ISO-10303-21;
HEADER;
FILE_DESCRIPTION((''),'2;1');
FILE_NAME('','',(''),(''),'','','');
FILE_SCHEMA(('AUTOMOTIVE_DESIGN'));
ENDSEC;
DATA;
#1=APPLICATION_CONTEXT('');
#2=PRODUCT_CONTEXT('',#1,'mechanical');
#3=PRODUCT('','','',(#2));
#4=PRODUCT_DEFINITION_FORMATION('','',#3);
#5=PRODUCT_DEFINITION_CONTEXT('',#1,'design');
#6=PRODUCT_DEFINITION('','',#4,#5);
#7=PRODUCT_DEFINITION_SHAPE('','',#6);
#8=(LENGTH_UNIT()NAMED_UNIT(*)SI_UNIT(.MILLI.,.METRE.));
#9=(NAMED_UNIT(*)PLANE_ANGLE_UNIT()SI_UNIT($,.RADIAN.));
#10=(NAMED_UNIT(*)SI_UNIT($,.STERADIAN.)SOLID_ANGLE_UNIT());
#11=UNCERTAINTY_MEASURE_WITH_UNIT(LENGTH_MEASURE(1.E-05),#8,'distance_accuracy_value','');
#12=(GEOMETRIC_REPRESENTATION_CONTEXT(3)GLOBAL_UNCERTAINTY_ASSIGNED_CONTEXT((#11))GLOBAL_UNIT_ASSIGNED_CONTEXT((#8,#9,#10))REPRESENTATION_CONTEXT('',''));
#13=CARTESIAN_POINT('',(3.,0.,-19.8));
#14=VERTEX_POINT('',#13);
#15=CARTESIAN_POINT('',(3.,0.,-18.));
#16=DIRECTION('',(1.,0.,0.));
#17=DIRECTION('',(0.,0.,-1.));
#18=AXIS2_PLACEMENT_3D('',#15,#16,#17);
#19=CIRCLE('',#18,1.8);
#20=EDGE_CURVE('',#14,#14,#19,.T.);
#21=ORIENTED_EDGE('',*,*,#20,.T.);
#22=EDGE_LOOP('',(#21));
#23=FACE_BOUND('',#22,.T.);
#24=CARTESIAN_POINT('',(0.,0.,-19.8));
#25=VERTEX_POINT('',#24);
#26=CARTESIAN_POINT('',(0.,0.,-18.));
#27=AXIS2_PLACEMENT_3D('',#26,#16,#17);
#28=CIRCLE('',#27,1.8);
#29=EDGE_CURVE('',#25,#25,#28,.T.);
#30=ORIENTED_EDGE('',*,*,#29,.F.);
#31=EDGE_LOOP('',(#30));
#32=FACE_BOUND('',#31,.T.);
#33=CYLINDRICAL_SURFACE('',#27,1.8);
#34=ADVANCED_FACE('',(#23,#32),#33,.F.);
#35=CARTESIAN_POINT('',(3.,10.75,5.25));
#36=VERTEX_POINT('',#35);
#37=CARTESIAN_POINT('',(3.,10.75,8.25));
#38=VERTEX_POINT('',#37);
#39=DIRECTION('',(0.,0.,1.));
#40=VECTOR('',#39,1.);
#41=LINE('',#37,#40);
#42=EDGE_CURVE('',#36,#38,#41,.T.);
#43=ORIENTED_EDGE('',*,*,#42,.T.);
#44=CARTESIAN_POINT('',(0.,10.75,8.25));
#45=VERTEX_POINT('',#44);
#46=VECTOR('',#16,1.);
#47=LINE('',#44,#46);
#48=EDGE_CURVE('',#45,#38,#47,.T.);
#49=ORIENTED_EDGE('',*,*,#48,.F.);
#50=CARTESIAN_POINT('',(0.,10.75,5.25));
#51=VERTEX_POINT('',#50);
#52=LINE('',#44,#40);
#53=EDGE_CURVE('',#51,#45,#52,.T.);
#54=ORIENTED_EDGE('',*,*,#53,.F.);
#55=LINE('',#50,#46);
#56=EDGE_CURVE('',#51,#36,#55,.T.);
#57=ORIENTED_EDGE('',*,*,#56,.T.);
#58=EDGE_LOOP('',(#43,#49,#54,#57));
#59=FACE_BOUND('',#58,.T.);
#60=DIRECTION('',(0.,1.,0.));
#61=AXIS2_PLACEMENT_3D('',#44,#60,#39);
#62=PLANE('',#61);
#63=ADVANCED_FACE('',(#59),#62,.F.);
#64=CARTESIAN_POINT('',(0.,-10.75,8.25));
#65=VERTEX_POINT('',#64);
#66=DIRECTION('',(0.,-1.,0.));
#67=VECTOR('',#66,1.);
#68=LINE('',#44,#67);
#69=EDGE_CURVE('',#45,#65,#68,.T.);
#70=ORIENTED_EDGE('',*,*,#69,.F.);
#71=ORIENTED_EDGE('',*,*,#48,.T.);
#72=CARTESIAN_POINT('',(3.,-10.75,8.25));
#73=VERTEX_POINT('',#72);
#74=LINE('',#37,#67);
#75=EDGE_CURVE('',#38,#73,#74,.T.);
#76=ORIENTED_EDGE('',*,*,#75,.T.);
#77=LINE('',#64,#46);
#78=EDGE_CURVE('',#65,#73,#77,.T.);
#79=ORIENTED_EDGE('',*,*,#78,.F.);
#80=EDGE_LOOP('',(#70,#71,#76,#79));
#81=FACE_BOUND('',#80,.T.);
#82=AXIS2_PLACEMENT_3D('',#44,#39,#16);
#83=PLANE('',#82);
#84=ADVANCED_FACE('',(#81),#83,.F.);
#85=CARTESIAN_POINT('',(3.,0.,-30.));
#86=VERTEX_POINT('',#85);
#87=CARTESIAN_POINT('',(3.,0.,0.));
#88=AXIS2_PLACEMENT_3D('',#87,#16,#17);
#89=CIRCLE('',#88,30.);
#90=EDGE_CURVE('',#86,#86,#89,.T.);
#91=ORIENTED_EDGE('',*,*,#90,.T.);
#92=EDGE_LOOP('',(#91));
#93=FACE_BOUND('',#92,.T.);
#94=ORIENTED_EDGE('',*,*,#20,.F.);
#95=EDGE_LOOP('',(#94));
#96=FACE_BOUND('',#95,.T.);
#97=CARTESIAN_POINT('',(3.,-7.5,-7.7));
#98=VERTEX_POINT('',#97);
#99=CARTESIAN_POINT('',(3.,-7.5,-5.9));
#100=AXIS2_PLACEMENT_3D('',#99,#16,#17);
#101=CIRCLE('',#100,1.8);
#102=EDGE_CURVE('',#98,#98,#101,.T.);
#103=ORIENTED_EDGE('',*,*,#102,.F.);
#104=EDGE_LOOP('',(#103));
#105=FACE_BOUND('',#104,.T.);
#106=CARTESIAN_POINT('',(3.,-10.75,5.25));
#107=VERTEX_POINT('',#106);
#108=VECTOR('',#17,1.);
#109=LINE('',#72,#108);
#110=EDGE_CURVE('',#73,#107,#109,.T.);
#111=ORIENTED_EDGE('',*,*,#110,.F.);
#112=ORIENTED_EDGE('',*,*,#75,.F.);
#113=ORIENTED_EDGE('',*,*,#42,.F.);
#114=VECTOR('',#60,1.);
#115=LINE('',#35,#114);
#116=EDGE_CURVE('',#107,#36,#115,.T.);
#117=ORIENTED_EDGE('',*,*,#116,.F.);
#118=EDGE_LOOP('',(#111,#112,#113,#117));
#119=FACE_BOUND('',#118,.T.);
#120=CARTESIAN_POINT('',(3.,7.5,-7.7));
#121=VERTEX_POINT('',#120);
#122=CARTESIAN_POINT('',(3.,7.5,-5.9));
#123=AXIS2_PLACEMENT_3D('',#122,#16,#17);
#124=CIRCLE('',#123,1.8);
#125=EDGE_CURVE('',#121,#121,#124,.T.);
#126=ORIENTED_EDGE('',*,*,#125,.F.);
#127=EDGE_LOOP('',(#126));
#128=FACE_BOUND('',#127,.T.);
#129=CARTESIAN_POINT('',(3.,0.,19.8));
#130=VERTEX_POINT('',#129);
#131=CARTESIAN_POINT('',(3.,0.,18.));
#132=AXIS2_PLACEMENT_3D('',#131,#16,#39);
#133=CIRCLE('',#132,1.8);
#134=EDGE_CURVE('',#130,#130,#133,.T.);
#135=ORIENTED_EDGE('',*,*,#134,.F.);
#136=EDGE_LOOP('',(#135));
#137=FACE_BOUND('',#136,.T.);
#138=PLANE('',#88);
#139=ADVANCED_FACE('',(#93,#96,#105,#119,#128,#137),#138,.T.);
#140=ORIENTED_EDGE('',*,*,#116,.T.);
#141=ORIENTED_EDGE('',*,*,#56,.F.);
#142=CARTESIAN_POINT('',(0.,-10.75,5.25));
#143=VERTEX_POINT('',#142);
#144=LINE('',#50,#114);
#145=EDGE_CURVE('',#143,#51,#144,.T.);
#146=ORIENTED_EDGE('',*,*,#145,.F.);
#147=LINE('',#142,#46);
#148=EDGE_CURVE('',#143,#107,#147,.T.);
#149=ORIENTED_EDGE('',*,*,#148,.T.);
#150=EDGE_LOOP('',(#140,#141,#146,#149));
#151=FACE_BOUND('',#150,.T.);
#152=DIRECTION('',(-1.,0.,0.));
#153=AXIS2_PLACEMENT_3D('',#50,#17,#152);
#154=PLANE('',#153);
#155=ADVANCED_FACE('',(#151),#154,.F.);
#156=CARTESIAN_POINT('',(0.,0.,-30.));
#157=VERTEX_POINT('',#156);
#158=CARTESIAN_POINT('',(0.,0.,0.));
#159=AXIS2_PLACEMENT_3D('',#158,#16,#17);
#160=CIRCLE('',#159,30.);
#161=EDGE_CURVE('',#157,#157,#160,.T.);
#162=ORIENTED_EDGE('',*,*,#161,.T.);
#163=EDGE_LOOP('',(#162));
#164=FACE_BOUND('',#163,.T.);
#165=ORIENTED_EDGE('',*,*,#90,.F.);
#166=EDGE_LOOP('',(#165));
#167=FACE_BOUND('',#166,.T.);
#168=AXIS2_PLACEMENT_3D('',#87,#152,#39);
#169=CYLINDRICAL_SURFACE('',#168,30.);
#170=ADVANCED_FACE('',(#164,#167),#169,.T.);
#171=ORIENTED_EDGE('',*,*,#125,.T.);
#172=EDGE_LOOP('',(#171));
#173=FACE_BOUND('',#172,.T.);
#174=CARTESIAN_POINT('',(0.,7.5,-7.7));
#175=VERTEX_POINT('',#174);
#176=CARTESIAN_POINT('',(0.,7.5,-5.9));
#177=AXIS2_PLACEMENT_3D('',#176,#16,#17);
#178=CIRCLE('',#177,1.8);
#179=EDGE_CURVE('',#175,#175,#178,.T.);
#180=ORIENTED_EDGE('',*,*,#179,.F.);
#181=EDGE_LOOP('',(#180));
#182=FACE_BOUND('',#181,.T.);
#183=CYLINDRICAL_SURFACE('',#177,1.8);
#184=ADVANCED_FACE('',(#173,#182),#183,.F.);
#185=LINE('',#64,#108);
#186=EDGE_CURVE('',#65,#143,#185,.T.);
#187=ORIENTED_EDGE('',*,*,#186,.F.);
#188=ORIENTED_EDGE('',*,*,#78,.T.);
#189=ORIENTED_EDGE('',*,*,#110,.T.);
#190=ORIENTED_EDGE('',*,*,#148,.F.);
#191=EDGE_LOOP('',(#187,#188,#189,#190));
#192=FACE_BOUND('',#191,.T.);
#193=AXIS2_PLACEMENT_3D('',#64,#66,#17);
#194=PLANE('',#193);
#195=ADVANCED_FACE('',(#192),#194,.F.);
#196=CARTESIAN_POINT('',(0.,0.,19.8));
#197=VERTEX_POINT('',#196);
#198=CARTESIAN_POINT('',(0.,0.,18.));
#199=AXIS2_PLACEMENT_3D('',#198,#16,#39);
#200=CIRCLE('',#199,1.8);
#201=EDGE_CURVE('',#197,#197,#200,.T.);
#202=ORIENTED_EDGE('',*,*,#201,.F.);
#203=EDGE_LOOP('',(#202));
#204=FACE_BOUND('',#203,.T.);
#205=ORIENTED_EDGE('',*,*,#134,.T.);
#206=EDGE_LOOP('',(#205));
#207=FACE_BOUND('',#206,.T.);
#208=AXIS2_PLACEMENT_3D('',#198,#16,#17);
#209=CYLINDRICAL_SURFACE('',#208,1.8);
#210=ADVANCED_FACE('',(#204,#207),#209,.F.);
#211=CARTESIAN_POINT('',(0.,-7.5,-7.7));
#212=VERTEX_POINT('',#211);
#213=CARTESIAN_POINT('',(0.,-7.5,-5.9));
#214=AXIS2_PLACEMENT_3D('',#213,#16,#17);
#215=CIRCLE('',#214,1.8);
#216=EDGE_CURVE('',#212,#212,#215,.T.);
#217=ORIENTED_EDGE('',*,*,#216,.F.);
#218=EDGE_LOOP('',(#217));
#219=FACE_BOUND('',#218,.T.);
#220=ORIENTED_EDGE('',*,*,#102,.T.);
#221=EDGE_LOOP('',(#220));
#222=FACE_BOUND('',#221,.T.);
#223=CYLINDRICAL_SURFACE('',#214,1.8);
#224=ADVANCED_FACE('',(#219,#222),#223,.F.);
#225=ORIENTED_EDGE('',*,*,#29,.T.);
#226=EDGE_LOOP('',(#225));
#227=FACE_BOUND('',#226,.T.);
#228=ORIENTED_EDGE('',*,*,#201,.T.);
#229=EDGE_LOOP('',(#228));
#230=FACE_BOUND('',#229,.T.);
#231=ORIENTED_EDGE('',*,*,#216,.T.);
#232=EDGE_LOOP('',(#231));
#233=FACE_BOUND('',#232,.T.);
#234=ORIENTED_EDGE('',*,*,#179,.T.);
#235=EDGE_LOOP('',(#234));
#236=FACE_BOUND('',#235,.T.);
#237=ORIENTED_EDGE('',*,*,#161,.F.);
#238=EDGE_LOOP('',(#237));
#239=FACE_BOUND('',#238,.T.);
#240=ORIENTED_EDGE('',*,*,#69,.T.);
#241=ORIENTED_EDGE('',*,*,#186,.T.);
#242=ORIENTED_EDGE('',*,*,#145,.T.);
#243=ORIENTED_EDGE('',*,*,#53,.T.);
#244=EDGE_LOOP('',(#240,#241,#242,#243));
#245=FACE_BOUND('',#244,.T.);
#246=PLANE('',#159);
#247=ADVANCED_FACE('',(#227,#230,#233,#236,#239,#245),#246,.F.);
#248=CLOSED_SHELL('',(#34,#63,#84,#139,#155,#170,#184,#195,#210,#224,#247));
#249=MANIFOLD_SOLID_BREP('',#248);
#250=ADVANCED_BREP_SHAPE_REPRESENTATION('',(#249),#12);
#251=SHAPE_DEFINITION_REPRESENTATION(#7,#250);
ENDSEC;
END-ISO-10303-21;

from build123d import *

# Parameters (mm, degrees)
SKETCH1_R           = 30
BOSS_EXTRUDE1_DEPTH = 3
SKETCH2_R           = 1.8
SKETCH2_W           = 3
SKETCH2_H           = 21.5
CUT_EXTRUDE1_DEPTH  = 3


with BuildPart() as part:
    # Sketch1 → Boss-Extrude1 (new body)
    with BuildSketch(Plane(origin=(0, 0, 0), x_dir=(0, 0, -1), z_dir=(1, 0, 0))):
        Circle(SKETCH1_R)
    extrude(amount=BOSS_EXTRUDE1_DEPTH)

    # Sketch2 → Cut-Extrude1 (cut)
    with BuildSketch(Plane(origin=(3, 0, 0), x_dir=(0, 0, -1), z_dir=(1, 0, 0))):
        with Locations((18, 0)):
            Circle(SKETCH2_R)
        with Locations((-18, 0)):
            Circle(SKETCH2_R)
        with Locations((5.9, 7.5)):
            Circle(SKETCH2_R)
        with Locations((5.9, -7.5)):
            Circle(SKETCH2_R)
        with Locations((-6.75, 0)):
            Rectangle(SKETCH2_W, SKETCH2_H)
    extrude(amount=-CUT_EXTRUDE1_DEPTH, mode=Mode.SUBTRACT)


solid = part.part
